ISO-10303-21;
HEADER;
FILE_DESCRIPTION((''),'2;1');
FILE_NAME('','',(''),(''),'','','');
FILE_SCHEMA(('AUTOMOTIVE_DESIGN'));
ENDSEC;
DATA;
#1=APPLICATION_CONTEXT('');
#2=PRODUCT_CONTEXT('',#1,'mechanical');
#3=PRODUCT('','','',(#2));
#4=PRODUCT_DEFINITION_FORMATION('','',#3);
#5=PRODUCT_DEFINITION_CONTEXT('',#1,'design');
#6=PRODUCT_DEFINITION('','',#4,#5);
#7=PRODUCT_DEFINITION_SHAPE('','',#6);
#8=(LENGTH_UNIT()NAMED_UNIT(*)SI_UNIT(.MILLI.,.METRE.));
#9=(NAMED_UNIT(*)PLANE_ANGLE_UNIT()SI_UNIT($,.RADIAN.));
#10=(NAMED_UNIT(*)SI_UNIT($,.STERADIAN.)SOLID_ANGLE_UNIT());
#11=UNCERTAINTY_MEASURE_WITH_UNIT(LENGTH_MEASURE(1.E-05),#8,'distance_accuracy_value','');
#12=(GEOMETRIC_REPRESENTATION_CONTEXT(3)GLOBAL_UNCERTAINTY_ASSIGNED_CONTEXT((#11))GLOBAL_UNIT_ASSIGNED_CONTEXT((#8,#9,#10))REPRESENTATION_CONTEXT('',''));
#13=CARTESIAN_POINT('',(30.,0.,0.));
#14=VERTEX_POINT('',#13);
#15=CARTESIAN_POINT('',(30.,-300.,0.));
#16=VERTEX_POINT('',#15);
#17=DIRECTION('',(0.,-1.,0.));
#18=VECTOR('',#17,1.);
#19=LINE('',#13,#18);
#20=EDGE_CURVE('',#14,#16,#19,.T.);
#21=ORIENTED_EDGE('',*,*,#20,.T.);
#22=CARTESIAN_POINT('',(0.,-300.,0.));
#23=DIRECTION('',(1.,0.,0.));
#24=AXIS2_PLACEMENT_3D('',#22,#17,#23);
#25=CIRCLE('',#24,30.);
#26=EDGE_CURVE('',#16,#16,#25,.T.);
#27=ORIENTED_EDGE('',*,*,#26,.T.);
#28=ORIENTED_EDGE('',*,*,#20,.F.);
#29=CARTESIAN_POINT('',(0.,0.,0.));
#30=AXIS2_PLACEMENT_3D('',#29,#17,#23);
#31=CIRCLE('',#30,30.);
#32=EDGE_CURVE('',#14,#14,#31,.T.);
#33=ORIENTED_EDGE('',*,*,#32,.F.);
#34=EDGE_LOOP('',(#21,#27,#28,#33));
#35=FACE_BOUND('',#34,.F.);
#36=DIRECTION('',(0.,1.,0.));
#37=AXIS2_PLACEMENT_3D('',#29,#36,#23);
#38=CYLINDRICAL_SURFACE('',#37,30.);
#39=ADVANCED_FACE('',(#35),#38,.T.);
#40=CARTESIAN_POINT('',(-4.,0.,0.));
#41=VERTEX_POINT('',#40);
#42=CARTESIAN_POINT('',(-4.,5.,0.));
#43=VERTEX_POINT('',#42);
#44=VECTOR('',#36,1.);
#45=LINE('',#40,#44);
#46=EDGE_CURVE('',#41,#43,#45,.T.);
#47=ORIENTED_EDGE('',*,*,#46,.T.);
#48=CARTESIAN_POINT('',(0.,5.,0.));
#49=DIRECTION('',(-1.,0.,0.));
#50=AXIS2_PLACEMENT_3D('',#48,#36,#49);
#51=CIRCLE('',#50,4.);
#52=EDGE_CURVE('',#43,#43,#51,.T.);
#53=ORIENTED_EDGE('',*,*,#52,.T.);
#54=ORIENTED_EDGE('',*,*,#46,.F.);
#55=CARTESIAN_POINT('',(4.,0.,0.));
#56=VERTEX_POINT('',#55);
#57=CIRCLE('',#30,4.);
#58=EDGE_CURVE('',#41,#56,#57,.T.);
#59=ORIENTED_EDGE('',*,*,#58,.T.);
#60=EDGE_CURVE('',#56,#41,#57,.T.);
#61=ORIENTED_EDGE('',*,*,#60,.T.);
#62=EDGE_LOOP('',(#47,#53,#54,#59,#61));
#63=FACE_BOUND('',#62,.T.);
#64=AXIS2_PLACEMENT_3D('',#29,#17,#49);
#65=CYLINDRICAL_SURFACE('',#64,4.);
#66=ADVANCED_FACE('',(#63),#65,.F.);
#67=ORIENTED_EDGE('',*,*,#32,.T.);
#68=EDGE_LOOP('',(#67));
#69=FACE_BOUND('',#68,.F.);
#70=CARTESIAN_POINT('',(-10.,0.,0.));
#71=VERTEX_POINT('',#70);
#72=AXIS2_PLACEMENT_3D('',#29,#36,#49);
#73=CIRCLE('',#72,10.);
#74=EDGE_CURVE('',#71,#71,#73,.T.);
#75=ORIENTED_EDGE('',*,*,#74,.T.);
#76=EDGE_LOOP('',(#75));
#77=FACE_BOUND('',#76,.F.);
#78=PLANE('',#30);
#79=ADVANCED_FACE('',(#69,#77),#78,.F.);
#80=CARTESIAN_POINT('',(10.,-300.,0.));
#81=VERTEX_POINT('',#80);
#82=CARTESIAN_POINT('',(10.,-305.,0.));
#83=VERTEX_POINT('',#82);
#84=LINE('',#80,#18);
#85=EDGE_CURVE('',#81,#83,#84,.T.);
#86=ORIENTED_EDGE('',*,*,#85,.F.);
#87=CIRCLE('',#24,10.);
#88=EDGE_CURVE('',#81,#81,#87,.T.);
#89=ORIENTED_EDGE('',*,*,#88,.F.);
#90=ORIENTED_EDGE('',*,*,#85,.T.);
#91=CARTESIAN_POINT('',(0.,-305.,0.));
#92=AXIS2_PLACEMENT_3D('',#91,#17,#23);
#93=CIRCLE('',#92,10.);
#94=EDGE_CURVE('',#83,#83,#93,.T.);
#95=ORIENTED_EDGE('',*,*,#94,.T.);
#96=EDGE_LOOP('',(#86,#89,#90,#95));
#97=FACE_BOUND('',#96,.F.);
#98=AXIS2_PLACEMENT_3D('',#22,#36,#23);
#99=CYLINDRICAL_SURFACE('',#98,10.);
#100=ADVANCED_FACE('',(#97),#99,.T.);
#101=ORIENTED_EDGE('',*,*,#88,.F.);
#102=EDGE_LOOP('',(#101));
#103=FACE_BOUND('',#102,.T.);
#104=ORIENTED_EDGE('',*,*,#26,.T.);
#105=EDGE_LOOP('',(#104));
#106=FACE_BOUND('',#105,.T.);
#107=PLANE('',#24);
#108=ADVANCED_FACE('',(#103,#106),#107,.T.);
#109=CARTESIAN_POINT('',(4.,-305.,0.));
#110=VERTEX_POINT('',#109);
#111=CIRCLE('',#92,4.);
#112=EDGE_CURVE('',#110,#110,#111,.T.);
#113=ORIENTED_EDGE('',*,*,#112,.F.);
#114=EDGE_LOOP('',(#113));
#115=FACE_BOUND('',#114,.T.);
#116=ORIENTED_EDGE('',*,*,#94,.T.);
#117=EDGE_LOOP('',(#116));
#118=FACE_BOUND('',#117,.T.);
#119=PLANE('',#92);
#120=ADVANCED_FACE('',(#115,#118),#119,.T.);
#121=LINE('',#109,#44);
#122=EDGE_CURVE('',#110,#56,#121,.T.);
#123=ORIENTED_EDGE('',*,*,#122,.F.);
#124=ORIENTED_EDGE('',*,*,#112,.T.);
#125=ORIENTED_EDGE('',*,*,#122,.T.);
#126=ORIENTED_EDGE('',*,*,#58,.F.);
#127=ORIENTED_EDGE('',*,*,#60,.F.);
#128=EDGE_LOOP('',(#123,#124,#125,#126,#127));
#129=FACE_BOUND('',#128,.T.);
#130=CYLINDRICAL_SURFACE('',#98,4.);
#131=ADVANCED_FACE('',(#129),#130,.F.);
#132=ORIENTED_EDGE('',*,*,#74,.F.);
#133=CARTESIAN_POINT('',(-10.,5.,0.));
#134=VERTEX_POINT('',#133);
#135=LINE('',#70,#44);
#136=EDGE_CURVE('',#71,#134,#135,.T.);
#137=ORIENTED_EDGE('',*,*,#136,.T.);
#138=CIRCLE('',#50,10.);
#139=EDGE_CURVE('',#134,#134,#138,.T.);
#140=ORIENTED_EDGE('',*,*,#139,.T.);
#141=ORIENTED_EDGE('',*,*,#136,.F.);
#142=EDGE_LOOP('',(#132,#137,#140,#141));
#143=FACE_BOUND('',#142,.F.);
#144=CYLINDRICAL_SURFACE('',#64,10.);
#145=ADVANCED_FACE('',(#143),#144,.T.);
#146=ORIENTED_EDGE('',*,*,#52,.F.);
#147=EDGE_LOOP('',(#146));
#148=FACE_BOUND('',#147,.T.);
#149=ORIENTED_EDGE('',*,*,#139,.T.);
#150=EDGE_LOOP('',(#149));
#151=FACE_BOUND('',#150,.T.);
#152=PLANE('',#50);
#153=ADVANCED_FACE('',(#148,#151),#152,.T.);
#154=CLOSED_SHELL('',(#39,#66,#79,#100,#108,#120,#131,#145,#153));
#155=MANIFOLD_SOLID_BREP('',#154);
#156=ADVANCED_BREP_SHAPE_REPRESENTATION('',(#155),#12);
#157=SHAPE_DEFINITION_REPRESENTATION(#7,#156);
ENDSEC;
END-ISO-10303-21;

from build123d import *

# Parameters (mm, degrees)
F0_R     = 30
F0_R_2   = 4
F1_DEPTH = 300
F2_R     = 10
F2_R_2   = 4
F3_DEPTH = 5
F4_R     = 10
F4_R_2   = 4
F5_DEPTH = 5


with BuildPart() as f1:
    # F0 (on Front) → F1 (new body)
    with BuildSketch(Plane.XZ):
        Circle(F0_R)
        Circle(F0_R_2, mode=Mode.SUBTRACT)
    extrude(amount=F1_DEPTH)

    # F2 (on face) → F3 (join)
    with BuildSketch(Plane.XZ.offset(300)):
        Circle(F2_R)
        Circle(F2_R_2, mode=Mode.SUBTRACT)
    extrude(amount=F3_DEPTH)

    # F4 (on face) → F5 (join)
    with BuildSketch(Plane(origin=(0, 0, 0), x_dir=(-1, 0, 0), z_dir=(0, 1, 0))):
        Circle(F4_R)
        Circle(F4_R_2, mode=Mode.SUBTRACT)
    extrude(amount=F5_DEPTH)


solid = f1.part
